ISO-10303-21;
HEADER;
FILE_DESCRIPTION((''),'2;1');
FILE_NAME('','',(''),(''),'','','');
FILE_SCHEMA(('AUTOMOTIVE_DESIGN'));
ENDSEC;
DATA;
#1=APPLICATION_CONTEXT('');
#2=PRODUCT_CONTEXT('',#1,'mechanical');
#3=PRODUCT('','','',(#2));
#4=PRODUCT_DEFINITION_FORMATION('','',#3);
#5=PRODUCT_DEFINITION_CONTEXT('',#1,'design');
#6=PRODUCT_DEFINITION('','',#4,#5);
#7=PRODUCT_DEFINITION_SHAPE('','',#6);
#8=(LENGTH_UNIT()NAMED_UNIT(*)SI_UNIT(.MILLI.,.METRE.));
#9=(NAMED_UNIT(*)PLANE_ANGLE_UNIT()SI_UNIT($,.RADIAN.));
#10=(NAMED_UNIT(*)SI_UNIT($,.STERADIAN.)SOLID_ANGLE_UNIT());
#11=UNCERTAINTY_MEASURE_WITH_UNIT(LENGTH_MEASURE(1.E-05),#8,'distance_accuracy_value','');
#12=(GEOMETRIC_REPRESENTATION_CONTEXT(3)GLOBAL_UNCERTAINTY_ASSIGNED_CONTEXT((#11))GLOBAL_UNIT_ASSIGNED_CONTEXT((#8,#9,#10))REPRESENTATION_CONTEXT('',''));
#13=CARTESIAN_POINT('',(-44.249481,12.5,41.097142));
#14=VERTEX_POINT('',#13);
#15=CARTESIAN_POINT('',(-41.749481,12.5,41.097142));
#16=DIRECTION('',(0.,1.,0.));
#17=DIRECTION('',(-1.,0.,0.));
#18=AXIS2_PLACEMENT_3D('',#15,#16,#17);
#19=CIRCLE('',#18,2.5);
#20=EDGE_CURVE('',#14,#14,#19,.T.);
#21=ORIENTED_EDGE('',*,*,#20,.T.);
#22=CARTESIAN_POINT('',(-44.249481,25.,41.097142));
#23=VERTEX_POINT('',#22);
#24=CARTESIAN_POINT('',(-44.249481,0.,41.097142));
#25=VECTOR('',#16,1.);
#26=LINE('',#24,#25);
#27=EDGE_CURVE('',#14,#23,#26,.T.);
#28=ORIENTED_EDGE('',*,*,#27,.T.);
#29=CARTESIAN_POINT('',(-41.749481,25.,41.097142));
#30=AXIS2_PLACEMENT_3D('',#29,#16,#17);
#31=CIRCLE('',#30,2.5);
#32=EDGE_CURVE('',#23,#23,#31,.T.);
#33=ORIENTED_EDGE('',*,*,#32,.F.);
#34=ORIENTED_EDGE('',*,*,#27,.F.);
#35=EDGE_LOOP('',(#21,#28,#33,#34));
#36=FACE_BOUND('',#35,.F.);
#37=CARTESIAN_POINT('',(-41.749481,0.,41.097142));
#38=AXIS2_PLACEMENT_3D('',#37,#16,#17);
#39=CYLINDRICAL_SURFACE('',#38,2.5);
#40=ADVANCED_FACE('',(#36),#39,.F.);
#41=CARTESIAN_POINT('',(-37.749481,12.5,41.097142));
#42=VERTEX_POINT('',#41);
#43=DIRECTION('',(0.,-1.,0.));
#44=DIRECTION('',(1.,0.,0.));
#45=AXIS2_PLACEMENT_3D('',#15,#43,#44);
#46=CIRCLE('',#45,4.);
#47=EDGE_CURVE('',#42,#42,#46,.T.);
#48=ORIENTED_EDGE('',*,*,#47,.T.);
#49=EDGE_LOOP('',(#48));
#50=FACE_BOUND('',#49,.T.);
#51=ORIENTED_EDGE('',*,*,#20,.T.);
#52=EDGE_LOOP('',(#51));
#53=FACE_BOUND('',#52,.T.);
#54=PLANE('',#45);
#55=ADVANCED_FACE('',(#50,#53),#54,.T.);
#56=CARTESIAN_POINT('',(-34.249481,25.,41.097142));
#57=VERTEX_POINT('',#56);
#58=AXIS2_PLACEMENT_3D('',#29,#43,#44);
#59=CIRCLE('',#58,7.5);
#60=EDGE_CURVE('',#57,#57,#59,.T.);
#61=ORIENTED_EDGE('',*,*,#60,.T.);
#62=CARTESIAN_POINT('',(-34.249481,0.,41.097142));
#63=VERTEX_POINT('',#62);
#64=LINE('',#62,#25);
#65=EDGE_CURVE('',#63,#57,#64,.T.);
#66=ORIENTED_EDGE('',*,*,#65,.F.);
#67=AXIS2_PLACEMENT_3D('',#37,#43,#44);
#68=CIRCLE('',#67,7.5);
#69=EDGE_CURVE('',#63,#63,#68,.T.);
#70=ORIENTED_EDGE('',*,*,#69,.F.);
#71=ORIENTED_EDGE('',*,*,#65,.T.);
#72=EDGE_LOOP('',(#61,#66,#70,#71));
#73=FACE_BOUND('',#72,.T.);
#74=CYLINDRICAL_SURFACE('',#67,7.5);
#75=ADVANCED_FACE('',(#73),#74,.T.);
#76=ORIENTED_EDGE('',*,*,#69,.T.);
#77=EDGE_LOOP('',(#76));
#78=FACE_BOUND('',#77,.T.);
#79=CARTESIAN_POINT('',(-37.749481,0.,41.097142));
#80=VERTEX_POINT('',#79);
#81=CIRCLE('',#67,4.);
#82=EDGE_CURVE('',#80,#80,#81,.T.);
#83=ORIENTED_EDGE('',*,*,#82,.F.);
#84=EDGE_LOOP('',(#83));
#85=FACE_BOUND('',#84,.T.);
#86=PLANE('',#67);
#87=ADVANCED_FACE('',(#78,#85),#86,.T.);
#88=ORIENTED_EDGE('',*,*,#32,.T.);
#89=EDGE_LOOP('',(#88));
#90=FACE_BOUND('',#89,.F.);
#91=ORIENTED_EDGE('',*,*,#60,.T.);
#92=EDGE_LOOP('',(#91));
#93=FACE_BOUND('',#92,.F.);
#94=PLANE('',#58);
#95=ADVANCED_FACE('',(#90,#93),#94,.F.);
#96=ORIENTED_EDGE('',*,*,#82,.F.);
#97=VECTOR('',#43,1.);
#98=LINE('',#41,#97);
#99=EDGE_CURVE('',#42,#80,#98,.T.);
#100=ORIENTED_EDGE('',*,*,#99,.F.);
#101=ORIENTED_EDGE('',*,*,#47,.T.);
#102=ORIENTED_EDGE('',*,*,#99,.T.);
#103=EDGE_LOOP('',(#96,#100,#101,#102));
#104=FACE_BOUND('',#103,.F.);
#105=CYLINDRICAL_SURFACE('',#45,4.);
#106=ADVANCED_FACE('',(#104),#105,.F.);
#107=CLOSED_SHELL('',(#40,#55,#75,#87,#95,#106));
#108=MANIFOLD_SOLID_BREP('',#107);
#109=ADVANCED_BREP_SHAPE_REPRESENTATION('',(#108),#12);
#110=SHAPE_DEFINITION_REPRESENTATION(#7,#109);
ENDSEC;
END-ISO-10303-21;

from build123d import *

# Parameters (mm, degrees)
F0_R           = 7.5
F1_DEPTH       = 25
F2_D           = 5
F2_DEPTH       = 25
F2_CBORE_D     = 8
F2_CBORE_DEPTH = 12.5


with BuildPart() as f1:
    # F0 (on Front) → F1 (new body)
    with BuildSketch(Plane.XZ):
        with Locations((-41.749481, 41.097142)):
            Circle(F0_R)
    extrude(amount=-F1_DEPTH)

    # F2
    with Locations(Plane.XZ):
        with Locations((-41.749481, 41.097142)):
            CounterBoreHole(F2_D / 2, F2_CBORE_D / 2, F2_CBORE_DEPTH, depth=F2_DEPTH)


solid = f1.part
